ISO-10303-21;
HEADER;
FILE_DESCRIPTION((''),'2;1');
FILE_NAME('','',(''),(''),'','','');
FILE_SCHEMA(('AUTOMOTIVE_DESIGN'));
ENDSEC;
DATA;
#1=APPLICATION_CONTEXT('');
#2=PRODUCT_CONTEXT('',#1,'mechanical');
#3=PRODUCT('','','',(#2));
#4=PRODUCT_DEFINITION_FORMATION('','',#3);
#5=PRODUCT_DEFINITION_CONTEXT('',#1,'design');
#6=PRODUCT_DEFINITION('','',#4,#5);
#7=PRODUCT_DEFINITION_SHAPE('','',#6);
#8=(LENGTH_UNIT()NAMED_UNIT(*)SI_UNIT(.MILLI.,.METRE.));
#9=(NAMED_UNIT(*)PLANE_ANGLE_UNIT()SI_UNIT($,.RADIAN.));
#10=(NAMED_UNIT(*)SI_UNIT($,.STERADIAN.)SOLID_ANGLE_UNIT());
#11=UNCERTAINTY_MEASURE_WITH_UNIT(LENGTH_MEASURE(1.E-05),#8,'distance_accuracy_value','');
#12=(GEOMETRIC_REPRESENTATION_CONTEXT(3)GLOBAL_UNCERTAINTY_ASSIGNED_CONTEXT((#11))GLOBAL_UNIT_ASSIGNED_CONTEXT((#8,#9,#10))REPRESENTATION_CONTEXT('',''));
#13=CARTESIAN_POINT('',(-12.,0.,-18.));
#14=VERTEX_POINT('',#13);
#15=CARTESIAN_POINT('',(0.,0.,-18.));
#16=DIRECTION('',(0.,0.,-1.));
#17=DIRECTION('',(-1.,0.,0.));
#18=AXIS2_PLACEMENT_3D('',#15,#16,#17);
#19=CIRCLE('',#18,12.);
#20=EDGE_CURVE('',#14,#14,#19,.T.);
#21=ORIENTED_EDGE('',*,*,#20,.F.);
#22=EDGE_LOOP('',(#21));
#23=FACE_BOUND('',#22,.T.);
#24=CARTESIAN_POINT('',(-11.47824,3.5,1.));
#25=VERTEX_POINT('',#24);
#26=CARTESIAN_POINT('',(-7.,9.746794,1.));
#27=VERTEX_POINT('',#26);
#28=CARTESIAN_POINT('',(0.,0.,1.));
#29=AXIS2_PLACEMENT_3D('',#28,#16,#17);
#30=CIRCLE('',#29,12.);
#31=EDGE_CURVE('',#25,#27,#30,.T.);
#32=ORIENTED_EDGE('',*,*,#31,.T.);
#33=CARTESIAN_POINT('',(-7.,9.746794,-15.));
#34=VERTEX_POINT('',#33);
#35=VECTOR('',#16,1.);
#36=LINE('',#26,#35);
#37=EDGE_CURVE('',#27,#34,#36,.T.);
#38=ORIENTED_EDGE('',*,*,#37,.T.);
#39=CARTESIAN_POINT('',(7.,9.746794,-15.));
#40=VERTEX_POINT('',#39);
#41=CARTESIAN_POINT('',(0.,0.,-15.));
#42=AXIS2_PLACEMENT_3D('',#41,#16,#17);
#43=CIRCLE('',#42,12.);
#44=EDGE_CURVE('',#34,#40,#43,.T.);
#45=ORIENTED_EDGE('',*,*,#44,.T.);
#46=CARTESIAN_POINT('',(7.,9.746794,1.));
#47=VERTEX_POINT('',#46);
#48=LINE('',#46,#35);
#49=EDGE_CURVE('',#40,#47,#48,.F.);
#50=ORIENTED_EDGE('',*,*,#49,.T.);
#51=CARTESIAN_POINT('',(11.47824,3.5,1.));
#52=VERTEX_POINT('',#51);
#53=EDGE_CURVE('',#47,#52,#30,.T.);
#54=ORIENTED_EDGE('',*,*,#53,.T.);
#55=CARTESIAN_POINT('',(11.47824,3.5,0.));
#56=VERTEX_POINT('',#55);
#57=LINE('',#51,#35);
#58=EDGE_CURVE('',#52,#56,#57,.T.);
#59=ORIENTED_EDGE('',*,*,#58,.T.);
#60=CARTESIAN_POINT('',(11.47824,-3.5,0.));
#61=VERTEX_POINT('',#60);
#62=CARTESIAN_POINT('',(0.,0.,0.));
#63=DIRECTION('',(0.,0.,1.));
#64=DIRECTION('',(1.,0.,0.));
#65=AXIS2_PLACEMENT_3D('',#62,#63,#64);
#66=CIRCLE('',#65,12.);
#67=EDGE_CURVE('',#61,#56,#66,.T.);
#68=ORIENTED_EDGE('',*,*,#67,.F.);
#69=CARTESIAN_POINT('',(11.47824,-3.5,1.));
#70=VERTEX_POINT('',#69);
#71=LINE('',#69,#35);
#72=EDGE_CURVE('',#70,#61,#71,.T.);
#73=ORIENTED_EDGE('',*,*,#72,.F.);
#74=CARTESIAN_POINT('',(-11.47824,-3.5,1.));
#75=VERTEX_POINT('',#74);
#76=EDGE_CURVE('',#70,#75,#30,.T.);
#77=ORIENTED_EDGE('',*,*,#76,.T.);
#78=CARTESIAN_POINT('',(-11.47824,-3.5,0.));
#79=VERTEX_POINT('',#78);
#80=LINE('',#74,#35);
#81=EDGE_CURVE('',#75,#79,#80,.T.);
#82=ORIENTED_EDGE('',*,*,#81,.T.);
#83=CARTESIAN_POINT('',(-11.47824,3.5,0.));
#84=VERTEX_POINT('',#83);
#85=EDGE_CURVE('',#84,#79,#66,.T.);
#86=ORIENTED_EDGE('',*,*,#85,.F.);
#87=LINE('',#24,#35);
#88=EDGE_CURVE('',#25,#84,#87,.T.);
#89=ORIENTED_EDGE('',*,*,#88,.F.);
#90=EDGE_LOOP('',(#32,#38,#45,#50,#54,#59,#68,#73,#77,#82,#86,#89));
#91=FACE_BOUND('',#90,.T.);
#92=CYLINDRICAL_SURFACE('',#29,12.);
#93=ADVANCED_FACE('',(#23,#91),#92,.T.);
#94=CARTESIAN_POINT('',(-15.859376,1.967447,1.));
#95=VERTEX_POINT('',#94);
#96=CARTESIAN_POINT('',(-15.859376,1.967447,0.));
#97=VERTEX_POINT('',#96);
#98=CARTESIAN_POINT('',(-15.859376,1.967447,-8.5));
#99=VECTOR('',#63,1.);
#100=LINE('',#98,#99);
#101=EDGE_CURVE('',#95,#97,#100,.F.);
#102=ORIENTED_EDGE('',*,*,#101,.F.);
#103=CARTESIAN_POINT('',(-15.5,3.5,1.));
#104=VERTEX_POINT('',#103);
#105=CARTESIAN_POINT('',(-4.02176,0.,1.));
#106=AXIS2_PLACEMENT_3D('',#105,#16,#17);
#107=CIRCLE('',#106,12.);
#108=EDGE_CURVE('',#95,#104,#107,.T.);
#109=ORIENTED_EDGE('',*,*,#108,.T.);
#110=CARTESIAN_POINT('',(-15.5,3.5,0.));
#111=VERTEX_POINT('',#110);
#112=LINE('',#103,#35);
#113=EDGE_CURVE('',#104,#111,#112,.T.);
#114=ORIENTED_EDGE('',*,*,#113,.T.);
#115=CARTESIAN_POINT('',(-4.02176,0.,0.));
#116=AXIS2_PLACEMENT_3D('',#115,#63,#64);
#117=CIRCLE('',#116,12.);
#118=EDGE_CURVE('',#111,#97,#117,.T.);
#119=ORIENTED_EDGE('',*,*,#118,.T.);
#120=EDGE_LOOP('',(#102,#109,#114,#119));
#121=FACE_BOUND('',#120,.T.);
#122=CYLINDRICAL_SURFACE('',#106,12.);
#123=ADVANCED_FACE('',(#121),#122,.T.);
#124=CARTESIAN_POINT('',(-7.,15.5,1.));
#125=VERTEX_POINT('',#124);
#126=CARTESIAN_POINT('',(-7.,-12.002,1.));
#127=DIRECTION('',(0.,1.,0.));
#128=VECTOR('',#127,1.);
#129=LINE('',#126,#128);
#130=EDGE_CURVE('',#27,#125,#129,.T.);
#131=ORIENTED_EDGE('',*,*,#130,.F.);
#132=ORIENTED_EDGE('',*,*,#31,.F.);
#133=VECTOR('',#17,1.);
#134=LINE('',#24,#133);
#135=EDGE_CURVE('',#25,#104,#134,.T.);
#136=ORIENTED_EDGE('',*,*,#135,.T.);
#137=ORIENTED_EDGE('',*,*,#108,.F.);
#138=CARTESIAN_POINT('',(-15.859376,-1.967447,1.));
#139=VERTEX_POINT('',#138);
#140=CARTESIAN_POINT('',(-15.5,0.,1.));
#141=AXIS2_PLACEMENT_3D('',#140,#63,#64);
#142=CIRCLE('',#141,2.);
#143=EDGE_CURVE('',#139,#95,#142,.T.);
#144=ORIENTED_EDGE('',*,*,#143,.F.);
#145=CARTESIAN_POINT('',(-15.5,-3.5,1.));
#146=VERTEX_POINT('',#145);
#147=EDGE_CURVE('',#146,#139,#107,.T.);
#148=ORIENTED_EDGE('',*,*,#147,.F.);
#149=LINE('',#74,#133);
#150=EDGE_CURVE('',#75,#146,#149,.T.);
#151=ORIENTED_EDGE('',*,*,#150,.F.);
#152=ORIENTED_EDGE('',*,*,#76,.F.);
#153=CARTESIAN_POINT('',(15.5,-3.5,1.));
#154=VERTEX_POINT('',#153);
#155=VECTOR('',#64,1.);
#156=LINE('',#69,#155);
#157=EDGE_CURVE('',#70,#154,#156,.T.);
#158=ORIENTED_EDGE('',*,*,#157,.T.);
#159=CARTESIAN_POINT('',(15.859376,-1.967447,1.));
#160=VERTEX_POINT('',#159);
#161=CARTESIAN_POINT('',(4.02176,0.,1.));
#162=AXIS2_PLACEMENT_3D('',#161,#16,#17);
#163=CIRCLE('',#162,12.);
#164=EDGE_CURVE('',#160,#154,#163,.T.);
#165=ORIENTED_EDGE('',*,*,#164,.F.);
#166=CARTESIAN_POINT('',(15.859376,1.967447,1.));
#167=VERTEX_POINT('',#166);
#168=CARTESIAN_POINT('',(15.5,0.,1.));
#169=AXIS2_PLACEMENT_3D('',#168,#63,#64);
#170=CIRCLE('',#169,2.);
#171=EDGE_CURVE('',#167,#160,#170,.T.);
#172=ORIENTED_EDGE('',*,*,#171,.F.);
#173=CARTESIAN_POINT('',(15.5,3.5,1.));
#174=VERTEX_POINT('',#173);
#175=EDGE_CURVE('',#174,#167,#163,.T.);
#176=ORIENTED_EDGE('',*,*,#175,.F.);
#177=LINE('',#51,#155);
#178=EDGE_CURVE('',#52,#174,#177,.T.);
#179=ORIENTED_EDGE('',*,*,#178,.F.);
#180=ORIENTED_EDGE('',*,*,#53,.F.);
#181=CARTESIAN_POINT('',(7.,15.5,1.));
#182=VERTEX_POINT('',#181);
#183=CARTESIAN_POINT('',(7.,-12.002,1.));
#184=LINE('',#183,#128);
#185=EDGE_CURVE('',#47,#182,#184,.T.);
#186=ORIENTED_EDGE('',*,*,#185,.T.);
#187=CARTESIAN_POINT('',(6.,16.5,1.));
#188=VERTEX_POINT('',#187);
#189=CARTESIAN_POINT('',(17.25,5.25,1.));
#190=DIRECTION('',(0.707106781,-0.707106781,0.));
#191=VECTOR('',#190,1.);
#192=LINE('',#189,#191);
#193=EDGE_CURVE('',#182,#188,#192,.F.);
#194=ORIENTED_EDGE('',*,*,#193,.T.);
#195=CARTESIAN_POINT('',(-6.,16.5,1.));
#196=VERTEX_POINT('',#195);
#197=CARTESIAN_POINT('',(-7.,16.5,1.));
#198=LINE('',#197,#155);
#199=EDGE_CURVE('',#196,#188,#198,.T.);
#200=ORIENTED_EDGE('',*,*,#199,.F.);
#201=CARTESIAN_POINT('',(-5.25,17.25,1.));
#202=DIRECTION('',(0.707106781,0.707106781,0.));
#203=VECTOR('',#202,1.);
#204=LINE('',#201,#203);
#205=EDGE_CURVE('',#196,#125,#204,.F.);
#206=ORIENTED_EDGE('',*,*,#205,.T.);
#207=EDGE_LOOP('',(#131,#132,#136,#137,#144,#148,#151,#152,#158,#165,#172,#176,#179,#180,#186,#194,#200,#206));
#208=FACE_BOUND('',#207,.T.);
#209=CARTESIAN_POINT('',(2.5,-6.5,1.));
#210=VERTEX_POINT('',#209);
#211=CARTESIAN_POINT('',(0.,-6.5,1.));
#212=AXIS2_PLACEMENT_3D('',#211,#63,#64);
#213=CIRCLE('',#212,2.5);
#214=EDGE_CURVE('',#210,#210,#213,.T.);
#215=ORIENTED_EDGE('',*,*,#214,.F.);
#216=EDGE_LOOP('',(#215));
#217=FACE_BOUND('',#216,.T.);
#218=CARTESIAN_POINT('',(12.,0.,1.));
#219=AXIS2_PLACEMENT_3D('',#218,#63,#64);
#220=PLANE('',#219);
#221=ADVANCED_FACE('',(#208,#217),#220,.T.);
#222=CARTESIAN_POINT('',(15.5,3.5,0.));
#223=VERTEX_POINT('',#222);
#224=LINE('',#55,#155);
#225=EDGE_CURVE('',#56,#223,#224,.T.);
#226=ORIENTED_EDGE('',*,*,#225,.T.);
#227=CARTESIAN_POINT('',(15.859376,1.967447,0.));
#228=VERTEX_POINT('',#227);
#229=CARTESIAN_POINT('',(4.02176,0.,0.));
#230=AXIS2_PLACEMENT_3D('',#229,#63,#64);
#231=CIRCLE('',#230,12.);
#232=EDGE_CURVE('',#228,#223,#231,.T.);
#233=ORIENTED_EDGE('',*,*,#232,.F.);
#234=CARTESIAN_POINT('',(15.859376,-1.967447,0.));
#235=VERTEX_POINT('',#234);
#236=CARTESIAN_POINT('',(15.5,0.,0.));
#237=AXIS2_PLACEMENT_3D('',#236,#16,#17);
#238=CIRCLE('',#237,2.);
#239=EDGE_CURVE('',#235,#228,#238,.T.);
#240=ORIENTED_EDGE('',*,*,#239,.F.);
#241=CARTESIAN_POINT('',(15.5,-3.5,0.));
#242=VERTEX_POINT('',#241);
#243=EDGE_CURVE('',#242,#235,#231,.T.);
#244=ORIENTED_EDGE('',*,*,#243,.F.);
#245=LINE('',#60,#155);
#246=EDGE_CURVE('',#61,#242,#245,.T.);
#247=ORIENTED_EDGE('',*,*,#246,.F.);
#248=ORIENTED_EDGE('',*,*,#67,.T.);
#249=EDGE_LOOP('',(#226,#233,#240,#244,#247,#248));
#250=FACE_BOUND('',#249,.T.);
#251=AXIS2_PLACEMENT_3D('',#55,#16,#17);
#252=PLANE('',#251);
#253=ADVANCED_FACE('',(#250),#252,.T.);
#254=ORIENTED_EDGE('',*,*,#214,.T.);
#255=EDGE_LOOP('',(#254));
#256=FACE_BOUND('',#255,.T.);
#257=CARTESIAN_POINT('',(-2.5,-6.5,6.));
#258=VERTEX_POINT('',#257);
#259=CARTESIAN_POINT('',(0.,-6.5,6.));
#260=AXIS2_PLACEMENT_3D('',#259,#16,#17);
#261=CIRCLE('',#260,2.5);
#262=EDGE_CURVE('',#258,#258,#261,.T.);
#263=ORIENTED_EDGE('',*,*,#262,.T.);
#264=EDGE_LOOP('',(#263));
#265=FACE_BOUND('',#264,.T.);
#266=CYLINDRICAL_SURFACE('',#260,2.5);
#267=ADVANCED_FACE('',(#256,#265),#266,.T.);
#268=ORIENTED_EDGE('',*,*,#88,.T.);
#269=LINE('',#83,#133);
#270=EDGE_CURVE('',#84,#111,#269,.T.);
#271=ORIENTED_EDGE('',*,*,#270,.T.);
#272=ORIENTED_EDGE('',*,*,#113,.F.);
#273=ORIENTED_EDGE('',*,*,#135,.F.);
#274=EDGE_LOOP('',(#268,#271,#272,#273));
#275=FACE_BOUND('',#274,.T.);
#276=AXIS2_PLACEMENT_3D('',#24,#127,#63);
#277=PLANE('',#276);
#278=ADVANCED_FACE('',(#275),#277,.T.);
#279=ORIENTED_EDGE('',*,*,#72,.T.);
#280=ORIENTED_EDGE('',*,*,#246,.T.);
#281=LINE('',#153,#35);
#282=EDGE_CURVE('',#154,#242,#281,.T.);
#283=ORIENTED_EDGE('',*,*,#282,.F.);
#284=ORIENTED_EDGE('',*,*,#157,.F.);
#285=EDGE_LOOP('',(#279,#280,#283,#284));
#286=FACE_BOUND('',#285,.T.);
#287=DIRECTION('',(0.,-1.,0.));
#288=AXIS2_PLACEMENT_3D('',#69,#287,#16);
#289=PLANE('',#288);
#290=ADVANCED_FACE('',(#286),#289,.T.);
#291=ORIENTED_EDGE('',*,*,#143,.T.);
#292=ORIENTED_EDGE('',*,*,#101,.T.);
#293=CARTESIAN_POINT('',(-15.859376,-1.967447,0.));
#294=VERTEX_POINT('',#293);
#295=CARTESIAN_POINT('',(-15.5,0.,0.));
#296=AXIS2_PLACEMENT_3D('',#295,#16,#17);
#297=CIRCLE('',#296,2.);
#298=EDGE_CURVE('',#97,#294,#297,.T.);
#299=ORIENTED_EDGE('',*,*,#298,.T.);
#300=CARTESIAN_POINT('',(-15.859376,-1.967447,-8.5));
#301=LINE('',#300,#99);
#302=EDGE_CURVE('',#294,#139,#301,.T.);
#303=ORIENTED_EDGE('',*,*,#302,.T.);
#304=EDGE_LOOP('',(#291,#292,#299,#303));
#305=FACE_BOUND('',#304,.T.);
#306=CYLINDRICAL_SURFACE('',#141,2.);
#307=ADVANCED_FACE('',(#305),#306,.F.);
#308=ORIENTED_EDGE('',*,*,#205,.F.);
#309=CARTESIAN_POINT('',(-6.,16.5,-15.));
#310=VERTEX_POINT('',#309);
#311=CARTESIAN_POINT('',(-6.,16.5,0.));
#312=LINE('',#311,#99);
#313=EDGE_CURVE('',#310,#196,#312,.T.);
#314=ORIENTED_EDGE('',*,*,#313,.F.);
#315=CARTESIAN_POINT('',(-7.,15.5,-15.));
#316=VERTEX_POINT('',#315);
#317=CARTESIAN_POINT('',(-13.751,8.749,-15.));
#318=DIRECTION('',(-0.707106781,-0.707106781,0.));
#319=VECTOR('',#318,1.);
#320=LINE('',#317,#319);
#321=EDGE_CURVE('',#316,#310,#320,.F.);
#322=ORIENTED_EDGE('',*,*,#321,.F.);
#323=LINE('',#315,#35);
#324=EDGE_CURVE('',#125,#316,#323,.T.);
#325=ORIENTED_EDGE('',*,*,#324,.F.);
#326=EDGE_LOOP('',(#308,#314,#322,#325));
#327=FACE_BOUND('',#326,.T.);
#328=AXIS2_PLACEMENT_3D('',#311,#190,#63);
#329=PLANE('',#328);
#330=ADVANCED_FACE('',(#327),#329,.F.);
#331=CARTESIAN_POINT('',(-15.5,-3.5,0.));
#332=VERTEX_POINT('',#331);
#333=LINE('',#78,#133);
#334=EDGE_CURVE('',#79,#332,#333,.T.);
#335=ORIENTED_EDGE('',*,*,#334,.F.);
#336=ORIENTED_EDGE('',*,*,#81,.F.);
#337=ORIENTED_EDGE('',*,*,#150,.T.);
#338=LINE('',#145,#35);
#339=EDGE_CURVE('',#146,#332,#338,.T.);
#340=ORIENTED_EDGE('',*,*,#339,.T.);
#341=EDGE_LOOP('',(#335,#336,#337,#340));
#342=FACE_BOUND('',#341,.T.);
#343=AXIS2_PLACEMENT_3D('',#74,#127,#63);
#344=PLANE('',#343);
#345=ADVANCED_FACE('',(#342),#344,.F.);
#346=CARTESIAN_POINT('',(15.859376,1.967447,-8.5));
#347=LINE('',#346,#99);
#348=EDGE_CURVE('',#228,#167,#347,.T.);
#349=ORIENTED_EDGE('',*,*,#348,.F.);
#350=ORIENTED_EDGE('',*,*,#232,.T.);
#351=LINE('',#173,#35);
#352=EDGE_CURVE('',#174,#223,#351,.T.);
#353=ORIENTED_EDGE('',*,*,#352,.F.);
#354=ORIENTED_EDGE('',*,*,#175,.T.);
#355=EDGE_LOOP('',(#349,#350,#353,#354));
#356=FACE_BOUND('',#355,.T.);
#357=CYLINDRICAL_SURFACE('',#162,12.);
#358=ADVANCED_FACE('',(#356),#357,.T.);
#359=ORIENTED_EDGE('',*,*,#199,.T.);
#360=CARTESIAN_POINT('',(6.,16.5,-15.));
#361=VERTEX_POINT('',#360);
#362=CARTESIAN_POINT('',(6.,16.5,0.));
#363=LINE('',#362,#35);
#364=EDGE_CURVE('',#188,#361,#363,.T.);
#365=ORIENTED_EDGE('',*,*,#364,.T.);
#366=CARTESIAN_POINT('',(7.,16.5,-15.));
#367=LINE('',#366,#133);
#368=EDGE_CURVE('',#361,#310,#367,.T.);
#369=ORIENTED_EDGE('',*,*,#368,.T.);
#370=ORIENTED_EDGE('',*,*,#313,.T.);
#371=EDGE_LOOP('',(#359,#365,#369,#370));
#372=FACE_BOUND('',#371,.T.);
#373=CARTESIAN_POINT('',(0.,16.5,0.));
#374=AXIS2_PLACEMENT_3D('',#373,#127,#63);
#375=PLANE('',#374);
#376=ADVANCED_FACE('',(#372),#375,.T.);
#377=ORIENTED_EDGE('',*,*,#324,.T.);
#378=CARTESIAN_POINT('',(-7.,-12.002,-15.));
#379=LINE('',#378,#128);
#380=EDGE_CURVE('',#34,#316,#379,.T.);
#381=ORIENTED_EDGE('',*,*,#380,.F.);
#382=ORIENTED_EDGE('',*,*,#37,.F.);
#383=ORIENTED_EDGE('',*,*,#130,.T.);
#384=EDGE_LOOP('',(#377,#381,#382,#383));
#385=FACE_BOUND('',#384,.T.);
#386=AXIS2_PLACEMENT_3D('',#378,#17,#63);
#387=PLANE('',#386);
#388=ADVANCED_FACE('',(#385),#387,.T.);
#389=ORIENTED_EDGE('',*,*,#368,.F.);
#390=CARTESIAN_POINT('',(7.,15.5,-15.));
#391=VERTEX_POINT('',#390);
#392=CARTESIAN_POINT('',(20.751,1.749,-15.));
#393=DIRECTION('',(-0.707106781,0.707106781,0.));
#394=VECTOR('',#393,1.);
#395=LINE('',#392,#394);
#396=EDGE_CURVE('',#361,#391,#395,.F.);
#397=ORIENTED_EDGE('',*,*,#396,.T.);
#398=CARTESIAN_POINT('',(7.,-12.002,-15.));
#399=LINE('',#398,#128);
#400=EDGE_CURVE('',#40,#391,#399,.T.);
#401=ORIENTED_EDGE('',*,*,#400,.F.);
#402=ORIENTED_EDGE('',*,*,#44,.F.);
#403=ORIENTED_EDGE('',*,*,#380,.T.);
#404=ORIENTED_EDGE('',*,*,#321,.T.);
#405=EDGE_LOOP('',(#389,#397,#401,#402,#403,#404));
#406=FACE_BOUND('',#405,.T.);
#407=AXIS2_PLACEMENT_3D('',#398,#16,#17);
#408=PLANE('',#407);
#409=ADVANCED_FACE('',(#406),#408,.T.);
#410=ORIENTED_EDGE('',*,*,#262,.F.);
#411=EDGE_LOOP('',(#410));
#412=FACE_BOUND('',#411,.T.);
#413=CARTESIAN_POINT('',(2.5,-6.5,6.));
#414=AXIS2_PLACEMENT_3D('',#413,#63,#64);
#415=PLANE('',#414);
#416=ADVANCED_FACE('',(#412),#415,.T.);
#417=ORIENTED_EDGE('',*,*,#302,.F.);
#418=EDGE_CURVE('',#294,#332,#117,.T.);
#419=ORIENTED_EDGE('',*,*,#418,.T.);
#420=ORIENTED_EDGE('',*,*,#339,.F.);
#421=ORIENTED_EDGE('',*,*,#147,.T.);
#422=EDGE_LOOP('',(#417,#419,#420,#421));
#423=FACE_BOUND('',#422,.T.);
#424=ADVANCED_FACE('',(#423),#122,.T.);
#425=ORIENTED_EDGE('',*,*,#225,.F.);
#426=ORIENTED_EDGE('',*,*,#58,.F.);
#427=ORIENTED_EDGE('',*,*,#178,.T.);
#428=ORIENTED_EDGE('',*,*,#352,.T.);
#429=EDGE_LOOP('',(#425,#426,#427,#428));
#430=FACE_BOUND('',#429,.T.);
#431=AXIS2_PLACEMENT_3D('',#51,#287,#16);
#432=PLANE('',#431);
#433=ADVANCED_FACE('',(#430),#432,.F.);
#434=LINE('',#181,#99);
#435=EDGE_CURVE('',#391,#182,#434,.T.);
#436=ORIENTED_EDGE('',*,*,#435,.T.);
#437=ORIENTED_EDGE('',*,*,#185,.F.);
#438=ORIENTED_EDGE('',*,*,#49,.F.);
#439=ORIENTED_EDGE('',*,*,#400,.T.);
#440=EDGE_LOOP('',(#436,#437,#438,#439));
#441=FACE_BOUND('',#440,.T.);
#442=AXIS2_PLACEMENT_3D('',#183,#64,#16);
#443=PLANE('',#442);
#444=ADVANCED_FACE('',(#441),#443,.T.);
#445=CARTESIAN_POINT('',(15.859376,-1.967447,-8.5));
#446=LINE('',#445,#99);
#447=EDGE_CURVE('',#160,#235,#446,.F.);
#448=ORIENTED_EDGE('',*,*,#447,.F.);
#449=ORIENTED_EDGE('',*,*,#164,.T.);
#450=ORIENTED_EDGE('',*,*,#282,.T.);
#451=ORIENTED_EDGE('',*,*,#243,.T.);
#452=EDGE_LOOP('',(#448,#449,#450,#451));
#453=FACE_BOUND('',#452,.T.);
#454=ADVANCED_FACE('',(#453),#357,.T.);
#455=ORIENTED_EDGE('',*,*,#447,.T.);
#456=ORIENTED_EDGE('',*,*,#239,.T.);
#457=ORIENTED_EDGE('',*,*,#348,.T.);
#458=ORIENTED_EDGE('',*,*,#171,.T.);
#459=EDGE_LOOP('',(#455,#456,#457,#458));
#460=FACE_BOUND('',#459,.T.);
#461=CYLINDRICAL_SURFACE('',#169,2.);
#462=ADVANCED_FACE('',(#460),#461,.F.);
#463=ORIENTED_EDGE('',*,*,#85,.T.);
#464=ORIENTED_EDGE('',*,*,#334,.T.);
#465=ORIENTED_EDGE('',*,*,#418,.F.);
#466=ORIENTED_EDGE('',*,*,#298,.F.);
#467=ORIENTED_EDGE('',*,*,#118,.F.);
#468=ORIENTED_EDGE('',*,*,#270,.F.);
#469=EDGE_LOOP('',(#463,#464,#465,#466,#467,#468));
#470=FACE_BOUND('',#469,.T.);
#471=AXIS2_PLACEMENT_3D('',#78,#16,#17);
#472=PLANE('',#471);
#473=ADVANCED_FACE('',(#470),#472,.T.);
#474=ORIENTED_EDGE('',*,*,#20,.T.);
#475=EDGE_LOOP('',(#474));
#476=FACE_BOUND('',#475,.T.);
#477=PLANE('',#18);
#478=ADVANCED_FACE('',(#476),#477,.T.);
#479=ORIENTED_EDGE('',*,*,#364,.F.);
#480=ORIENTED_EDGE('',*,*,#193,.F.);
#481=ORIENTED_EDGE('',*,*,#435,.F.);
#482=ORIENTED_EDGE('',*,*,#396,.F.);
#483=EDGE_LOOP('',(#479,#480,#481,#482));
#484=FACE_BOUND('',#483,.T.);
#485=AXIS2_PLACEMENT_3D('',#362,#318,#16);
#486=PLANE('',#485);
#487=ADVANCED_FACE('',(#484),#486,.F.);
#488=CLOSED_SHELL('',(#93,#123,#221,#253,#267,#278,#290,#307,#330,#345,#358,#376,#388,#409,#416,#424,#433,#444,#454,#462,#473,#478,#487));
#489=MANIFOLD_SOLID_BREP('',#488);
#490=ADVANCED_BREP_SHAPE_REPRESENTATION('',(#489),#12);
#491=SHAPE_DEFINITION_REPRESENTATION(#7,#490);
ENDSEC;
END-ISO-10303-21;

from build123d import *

# Parameters (mm, degrees)
SKETCH_1_W                = 12
SKETCH_1_H                = 19
EXTRUDE_1_REACH           = 37.781
EXTRUDE_1_END_RADIUS      = 12
SKETCH_2_W                = 14
SKETCH_2_H                = 16
EXTRUDE_2_REACH           = 34.679
EXTRUDE_2_START_RADIUS    = 12
EXTRUDE_2_END_RADIUS      = 12
SKETCH_3_W                = 1
SKETCH_3_H                = 7
EXTRUDE_3_REACH           = 34.679
EXTRUDE_3_START_RADIUS    = 12
EXTRUDE_3_END_RADIUS      = 12
SKETCH_4_W                = 1
SKETCH_4_H                = 7
SKETCH_5_W                = 2.5
SKETCH_5_H                = 5
HOLE_WIZARD_4_0_4_1_D     = 4
HOLE_WIZARD_4_0_4_1_DEPTH = 19
CHAMFER_1_SIZE            = 1


with BuildPart() as part:
    # 草图1 → 旋转1 (revolve)
    with BuildSketch(Plane.XZ, mode=Mode.PRIVATE) as revolve_1_sk:
        with Locations((6, -8.5)):
            Rectangle(SKETCH_1_W, SKETCH_1_H)
    revolve(revolve_1_sk.sketch.rotate(Axis((0, 0, 1), (0, 0, -1)), 180), axis=Axis((0, 0, 1), (0, 0, -1)))

    # 凸台-拉伸1: up to this cylinder (the profile starts outside it)
    extrude_1_end = Plane(origin=(0, 0, -7), z_dir=(0, 0, -1)) * Cylinder(EXTRUDE_1_END_RADIUS, 100.562, mode=Mode.PRIVATE)
    # 草图2 → 凸台-拉伸1 (add, up to the surface)
    with BuildSketch(Plane(origin=(0, 16.5, 0), x_dir=(1, 0, 0), z_dir=(0, 1, 0)), mode=Mode.PRIVATE) as extrude_1_sk1:
        with Locations((0, 7)):
            Rectangle(SKETCH_2_W, SKETCH_2_H)
    extrude_1_tool1 = extrude(extrude_1_sk1.sketch, amount=-EXTRUDE_1_REACH, mode=Mode.PRIVATE) - extrude_1_end
    add(extrude_1_tool1.solids().sort_by_distance((0, 16.5, -7))[0])

    # 凸台-拉伸2: from a cylinder face, 34.679 long prism both ways, kept between that surface and its translate by the depth
    extrude_2_start = Plane(origin=(0, 0, 0.5), z_dir=(0, 0, -1)) * Cylinder(EXTRUDE_2_START_RADIUS, 94.358, mode=Mode.PRIVATE)
    extrude_2_end = Plane(origin=(4.021759717, 0, 0.5), z_dir=(0, 0, -1)) * Cylinder(EXTRUDE_2_END_RADIUS, 94.358, mode=Mode.PRIVATE)
    # 草图3 → 凸台-拉伸2 (add, from a surface)
    with BuildSketch(Plane(origin=(-3, 0, 0), x_dir=(0, 0, -1), z_dir=(1, 0, 0)), mode=Mode.PRIVATE) as extrude_2_sk1:
        with Locations((-0.5, 0)):
            Rectangle(SKETCH_3_W, SKETCH_3_H)
    extrude_2_tool1 = extrude(extrude_2_sk1.sketch, amount=EXTRUDE_2_REACH, both=True, mode=Mode.PRIVATE)
    add(((extrude_2_tool1 - extrude_2_start) & extrude_2_end).solids().sort_by_distance((13.48912, 0, 0.5))[0])

    # 凸台-拉伸3: from a cylinder face, 34.679 long prism both ways, kept between that surface and its translate by the depth
    extrude_3_start = Plane(origin=(0, 0, 0.5), z_dir=(0, 0, -1)) * Cylinder(EXTRUDE_3_START_RADIUS, 94.358, mode=Mode.PRIVATE)
    extrude_3_end = Plane(origin=(-4.021759717, 0, 0.5), z_dir=(0, 0, -1)) * Cylinder(EXTRUDE_3_END_RADIUS, 94.358, mode=Mode.PRIVATE)
    # 草图4 → 凸台-拉伸3 (add, from a surface)
    with BuildSketch(Plane.ZY.offset(-3), mode=Mode.PRIVATE) as extrude_3_sk1:
        with Locations((0.5, 0)):
            Rectangle(SKETCH_4_W, SKETCH_4_H)
    extrude_3_tool1 = extrude(extrude_3_sk1.sketch, amount=EXTRUDE_3_REACH, both=True, mode=Mode.PRIVATE)
    add(((extrude_3_tool1 - extrude_3_start) & extrude_3_end).solids().sort_by_distance((-13.48912, 0, 0.5))[0])

    # 草图5 → 旋转2 (revolve)
    with BuildSketch(Plane.XZ.offset(6.5), mode=Mode.PRIVATE) as revolve_2_sk:
        with Locations((1.25, 3.5)):
            Rectangle(SKETCH_5_W, SKETCH_5_H)
    revolve(revolve_2_sk.sketch.rotate(Axis((0, -6.5, 6), (0, 0, -1)), 180), axis=Axis((0, -6.5, 6), (0, 0, -1)))

    # Ø4.0 (4) 直径孔1
    with Locations(Plane.XY.offset(1)):
        with Locations((-15.5, 0), (15.5, 0)):
            Hole(HOLE_WIZARD_4_0_4_1_D / 2, depth=HOLE_WIZARD_4_0_4_1_DEPTH)

    # 倒角1
    chamfer_1_edges = [part.edges().sort_by_distance(p)[0] for p in [
        (-7, 16.5, -7),
        (7, 16.5, -7),
    ]]
    chamfer(chamfer_1_edges, length=CHAMFER_1_SIZE)


solid = part.part
